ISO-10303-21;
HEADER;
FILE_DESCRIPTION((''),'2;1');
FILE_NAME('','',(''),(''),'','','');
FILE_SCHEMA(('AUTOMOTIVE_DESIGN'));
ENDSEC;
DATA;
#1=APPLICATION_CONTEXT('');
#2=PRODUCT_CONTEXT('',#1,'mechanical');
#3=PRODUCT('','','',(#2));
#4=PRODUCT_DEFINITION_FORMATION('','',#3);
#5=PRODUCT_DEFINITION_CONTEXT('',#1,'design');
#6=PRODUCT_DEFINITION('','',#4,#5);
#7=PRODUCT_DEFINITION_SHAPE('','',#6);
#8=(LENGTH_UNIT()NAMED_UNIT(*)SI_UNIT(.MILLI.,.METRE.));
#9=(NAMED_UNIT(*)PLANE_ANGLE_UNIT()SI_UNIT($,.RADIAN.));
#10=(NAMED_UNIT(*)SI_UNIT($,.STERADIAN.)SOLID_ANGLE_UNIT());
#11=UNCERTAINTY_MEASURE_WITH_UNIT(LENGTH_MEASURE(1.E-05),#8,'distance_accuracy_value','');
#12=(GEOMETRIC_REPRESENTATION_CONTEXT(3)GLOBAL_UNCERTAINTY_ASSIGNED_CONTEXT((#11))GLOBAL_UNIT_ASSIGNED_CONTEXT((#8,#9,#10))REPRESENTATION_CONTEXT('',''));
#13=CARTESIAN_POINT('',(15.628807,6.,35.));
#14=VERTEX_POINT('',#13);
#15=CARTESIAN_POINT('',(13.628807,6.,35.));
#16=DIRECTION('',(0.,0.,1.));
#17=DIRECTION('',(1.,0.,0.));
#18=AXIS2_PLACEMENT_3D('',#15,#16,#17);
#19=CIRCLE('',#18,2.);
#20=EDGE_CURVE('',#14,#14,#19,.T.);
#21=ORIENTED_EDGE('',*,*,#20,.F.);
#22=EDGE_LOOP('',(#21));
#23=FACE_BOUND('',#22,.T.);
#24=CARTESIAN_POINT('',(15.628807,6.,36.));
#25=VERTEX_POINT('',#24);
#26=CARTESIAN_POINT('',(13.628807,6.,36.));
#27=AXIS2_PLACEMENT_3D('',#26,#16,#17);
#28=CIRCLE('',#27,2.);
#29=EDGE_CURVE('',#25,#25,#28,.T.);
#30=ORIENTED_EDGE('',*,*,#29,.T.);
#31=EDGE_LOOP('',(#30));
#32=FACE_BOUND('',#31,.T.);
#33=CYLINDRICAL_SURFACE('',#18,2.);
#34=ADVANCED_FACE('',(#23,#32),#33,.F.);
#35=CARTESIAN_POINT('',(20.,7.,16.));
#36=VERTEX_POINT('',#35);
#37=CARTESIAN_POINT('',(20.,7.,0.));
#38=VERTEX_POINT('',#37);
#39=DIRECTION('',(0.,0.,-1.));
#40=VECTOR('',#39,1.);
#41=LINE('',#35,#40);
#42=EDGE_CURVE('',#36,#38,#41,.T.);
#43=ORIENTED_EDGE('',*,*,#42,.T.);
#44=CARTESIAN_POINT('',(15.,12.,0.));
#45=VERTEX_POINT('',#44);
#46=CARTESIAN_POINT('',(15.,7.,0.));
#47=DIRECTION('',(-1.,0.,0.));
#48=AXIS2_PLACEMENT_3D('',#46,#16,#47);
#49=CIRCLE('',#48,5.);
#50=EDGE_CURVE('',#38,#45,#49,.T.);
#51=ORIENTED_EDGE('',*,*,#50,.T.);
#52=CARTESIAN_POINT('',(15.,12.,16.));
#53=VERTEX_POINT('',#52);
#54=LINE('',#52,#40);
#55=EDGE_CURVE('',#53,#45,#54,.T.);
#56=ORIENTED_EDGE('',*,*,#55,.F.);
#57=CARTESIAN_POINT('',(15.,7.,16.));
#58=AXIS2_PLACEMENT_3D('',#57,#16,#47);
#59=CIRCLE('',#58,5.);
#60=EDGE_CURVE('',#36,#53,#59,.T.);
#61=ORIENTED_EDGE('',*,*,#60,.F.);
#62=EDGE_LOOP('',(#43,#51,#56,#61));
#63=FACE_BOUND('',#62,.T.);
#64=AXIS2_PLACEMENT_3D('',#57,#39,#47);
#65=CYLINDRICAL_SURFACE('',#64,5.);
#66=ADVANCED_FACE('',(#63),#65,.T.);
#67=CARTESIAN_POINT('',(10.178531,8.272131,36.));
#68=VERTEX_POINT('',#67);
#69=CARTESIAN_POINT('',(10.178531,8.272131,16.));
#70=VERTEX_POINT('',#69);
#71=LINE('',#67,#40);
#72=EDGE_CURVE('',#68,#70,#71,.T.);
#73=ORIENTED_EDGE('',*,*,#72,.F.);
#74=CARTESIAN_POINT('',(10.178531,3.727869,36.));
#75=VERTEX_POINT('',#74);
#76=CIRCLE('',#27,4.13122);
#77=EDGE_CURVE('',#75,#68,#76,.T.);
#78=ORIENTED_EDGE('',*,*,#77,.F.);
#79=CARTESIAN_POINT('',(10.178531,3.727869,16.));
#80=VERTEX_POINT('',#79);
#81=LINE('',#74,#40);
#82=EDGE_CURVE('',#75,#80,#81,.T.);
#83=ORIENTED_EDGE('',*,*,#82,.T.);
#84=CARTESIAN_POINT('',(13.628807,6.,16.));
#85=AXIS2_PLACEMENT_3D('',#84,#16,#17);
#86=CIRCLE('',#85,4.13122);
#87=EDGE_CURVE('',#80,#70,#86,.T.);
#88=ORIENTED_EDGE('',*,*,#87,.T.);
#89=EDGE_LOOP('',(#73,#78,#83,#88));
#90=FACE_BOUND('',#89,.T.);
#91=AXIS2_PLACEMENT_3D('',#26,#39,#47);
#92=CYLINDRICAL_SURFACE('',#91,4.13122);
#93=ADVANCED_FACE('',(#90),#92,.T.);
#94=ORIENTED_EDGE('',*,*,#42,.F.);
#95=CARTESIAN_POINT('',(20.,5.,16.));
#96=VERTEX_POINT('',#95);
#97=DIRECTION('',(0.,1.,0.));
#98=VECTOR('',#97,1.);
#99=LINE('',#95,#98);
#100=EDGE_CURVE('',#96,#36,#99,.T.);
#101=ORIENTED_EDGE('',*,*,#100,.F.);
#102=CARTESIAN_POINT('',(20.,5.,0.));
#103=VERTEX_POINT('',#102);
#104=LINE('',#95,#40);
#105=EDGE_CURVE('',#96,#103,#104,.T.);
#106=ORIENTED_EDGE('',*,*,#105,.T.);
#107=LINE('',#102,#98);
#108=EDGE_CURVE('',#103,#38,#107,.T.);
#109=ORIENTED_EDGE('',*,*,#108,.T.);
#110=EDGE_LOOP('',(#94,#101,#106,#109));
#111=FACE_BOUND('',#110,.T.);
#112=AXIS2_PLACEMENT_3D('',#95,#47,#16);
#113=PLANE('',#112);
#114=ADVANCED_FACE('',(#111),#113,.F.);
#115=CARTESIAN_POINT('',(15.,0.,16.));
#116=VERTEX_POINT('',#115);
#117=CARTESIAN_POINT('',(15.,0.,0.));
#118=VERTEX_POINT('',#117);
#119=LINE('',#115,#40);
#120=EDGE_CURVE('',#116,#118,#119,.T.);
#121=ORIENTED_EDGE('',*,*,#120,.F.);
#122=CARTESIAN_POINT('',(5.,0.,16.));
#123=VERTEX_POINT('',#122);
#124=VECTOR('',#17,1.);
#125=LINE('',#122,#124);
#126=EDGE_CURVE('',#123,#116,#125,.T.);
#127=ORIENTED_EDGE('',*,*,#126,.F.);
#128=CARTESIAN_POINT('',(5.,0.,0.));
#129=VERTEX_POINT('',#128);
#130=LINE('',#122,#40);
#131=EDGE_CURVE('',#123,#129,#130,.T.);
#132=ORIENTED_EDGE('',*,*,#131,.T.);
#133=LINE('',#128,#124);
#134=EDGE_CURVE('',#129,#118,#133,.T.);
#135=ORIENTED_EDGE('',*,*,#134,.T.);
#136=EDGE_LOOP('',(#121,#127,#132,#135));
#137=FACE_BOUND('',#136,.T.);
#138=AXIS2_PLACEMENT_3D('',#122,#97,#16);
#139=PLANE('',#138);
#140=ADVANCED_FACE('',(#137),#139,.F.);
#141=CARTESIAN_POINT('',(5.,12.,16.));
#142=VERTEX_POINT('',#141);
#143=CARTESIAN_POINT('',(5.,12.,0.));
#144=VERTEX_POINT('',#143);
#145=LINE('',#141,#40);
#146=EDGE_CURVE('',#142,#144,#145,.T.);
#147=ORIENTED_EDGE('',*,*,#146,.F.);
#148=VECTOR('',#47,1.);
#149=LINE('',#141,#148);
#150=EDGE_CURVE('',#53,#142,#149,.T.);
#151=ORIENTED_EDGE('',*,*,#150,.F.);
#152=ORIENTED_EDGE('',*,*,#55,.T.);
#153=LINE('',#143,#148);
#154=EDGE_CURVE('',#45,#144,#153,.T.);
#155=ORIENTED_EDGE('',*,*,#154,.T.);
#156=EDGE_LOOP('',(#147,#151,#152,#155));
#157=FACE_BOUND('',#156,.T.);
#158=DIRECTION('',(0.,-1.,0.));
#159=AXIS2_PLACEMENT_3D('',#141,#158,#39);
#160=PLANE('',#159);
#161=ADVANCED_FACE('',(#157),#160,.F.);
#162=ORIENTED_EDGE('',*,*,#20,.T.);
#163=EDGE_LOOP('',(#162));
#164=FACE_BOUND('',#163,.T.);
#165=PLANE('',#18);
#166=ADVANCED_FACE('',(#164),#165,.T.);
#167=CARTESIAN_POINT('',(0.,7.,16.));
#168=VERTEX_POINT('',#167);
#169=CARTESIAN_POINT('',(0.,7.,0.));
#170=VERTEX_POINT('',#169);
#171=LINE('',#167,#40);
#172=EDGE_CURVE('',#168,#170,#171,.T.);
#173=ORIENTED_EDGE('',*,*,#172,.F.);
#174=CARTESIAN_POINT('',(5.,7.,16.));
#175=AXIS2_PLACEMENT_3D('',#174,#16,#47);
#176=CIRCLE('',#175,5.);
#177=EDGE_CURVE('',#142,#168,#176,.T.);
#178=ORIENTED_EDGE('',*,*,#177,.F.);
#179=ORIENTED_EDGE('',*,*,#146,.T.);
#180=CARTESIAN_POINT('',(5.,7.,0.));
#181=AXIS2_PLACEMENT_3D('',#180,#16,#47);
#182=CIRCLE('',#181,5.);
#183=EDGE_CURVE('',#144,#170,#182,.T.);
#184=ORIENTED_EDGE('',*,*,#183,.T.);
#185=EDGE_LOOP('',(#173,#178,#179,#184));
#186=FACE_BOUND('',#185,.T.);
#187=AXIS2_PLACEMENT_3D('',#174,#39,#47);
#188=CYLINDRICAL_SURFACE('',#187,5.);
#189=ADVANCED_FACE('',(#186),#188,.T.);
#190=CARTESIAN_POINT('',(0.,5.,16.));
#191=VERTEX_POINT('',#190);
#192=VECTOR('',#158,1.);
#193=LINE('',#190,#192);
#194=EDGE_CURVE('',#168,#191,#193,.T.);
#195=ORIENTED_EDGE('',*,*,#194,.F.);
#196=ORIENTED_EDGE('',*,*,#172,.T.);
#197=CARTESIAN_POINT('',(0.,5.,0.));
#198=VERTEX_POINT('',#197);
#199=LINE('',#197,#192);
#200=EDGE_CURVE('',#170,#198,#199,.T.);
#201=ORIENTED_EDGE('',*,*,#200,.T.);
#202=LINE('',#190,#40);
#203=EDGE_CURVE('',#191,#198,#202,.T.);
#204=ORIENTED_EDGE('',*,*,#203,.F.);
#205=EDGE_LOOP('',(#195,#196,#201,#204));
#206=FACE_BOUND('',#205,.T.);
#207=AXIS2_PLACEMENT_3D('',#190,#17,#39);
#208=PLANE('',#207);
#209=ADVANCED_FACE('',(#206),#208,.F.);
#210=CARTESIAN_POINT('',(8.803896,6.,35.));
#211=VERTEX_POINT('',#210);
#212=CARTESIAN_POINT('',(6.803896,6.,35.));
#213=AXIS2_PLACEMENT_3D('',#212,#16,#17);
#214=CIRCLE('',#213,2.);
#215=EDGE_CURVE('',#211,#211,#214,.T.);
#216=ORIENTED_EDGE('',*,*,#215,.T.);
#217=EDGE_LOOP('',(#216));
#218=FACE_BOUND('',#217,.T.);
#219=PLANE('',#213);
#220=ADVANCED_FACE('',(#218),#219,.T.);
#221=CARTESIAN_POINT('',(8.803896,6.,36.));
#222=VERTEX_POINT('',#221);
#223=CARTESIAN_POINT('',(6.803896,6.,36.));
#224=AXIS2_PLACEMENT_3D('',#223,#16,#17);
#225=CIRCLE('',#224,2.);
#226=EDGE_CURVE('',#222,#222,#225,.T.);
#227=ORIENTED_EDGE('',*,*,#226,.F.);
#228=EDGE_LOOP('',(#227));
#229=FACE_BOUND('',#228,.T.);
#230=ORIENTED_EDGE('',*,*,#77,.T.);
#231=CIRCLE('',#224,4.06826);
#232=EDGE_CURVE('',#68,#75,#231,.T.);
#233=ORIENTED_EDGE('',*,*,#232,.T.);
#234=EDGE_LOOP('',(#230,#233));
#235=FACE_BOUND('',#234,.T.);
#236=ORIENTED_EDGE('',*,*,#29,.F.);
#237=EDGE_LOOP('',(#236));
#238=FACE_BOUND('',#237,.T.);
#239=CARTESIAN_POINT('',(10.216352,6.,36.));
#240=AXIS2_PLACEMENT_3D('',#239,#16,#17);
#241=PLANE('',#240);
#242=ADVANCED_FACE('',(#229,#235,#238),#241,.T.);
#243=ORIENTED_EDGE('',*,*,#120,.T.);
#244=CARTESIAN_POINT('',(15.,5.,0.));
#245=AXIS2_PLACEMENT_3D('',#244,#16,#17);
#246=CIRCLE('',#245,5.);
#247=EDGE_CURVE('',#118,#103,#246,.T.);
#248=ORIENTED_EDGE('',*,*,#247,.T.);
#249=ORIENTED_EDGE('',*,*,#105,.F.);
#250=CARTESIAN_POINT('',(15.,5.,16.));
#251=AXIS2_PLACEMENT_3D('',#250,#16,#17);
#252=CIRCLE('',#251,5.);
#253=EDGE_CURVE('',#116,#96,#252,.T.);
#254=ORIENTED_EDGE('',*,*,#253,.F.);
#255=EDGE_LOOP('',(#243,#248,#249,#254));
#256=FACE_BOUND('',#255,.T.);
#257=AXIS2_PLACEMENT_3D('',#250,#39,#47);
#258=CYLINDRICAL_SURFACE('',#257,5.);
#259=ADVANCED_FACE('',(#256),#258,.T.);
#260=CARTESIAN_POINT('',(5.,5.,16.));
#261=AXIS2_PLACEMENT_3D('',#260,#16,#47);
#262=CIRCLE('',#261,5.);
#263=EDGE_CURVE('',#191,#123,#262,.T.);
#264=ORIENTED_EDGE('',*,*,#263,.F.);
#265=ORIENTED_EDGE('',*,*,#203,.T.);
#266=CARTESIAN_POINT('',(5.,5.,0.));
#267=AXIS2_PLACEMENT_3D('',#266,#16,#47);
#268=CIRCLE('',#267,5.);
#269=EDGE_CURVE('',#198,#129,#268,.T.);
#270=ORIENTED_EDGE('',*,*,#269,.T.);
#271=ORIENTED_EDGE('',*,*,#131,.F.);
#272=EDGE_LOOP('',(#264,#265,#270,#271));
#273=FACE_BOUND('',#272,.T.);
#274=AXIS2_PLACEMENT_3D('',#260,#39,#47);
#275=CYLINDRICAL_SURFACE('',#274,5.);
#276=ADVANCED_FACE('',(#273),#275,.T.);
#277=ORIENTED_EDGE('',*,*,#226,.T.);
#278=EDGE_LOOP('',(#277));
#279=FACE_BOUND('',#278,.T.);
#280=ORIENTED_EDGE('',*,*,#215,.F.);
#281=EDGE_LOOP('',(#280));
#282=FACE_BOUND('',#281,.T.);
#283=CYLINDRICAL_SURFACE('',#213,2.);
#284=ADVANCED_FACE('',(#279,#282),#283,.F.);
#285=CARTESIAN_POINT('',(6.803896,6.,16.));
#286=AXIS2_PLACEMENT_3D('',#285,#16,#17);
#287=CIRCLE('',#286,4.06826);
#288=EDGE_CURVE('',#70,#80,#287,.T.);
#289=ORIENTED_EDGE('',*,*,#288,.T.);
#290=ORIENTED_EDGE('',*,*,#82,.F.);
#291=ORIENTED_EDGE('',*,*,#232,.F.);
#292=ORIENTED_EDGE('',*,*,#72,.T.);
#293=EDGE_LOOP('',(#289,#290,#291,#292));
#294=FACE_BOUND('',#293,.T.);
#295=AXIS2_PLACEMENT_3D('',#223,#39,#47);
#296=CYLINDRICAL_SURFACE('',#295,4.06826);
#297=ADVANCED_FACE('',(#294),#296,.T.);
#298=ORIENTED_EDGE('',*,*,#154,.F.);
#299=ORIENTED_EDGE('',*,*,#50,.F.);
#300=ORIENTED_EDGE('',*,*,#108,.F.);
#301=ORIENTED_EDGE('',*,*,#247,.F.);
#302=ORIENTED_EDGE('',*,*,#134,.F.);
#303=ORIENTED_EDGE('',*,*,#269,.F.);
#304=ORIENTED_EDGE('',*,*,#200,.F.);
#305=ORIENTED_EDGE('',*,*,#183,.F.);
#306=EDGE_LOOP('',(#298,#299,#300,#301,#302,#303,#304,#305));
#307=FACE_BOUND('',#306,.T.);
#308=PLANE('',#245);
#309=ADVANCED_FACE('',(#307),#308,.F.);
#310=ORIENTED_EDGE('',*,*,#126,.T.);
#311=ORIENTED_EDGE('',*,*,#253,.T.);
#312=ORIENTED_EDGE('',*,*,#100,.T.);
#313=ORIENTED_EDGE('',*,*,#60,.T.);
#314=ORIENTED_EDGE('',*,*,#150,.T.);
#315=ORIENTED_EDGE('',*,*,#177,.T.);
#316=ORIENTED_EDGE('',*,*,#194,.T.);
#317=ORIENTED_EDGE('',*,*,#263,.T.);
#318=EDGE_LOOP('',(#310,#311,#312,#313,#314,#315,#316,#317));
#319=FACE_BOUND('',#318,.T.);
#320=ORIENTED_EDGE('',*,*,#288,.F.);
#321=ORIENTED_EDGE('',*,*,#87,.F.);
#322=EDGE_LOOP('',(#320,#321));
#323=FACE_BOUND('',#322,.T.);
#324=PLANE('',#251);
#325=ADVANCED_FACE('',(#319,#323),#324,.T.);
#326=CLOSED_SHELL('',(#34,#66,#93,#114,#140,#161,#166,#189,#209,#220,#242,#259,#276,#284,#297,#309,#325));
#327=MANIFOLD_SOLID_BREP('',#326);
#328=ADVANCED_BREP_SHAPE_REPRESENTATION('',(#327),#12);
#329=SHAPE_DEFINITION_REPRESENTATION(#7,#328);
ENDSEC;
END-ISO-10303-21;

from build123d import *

# Parameters (mm, degrees)
EXTRUDE_1_DEPTH     = 16
EXTRUDE_3_DEPTH     = 20
SKETCH_4_R          = 2
CUT_EXTRUDE_1_DEPTH = 1


with BuildPart() as part:
    # ｽｹｯﾁ1 → ﾎﾞｽ - 押し出し1 (new body)
    with BuildSketch(Plane.XY):
        with BuildLine():
            Line((5, 0), (15, 0))
            ThreePointArc((15, 0), (18.535533906, 1.464466094), (20, 5))
            Line((20, 5), (20, 7))
            ThreePointArc((20, 7), (18.535533906, 10.535533906), (15, 12))
            Line((15, 12), (5, 12))
            ThreePointArc((5, 12), (1.464466094, 10.535533906), (0, 7))
            Line((0, 7), (0, 5))
            ThreePointArc((0, 5), (1.464466094, 1.464466094), (5, 0))
        make_face()
    extrude(amount=EXTRUDE_1_DEPTH)

    # ｽｹｯﾁ3 → ﾎﾞｽ - 押し出し3 (add)
    with BuildSketch(Plane.XY.offset(16)):
        with BuildLine():
            ThreePointArc((10.178530878, 3.727869439), (17.760027495, 6), (10.178530878, 8.272130561))
            ThreePointArc((10.178530878, 8.272130561), (2.735636676, 6), (10.178530878, 3.727869439))
        make_face()
    extrude(amount=EXTRUDE_3_DEPTH)

    # ｽｹｯﾁ4 → ｶｯﾄ - 押し出し1 (cut)
    with BuildSketch(Plane.XY.offset(36)):
        with Locations((6.803896263, 6)):
            Circle(SKETCH_4_R)
        with Locations((13.628807012, 6)):
            Circle(SKETCH_4_R)
    extrude(amount=-CUT_EXTRUDE_1_DEPTH, mode=Mode.SUBTRACT)


solid = part.part
